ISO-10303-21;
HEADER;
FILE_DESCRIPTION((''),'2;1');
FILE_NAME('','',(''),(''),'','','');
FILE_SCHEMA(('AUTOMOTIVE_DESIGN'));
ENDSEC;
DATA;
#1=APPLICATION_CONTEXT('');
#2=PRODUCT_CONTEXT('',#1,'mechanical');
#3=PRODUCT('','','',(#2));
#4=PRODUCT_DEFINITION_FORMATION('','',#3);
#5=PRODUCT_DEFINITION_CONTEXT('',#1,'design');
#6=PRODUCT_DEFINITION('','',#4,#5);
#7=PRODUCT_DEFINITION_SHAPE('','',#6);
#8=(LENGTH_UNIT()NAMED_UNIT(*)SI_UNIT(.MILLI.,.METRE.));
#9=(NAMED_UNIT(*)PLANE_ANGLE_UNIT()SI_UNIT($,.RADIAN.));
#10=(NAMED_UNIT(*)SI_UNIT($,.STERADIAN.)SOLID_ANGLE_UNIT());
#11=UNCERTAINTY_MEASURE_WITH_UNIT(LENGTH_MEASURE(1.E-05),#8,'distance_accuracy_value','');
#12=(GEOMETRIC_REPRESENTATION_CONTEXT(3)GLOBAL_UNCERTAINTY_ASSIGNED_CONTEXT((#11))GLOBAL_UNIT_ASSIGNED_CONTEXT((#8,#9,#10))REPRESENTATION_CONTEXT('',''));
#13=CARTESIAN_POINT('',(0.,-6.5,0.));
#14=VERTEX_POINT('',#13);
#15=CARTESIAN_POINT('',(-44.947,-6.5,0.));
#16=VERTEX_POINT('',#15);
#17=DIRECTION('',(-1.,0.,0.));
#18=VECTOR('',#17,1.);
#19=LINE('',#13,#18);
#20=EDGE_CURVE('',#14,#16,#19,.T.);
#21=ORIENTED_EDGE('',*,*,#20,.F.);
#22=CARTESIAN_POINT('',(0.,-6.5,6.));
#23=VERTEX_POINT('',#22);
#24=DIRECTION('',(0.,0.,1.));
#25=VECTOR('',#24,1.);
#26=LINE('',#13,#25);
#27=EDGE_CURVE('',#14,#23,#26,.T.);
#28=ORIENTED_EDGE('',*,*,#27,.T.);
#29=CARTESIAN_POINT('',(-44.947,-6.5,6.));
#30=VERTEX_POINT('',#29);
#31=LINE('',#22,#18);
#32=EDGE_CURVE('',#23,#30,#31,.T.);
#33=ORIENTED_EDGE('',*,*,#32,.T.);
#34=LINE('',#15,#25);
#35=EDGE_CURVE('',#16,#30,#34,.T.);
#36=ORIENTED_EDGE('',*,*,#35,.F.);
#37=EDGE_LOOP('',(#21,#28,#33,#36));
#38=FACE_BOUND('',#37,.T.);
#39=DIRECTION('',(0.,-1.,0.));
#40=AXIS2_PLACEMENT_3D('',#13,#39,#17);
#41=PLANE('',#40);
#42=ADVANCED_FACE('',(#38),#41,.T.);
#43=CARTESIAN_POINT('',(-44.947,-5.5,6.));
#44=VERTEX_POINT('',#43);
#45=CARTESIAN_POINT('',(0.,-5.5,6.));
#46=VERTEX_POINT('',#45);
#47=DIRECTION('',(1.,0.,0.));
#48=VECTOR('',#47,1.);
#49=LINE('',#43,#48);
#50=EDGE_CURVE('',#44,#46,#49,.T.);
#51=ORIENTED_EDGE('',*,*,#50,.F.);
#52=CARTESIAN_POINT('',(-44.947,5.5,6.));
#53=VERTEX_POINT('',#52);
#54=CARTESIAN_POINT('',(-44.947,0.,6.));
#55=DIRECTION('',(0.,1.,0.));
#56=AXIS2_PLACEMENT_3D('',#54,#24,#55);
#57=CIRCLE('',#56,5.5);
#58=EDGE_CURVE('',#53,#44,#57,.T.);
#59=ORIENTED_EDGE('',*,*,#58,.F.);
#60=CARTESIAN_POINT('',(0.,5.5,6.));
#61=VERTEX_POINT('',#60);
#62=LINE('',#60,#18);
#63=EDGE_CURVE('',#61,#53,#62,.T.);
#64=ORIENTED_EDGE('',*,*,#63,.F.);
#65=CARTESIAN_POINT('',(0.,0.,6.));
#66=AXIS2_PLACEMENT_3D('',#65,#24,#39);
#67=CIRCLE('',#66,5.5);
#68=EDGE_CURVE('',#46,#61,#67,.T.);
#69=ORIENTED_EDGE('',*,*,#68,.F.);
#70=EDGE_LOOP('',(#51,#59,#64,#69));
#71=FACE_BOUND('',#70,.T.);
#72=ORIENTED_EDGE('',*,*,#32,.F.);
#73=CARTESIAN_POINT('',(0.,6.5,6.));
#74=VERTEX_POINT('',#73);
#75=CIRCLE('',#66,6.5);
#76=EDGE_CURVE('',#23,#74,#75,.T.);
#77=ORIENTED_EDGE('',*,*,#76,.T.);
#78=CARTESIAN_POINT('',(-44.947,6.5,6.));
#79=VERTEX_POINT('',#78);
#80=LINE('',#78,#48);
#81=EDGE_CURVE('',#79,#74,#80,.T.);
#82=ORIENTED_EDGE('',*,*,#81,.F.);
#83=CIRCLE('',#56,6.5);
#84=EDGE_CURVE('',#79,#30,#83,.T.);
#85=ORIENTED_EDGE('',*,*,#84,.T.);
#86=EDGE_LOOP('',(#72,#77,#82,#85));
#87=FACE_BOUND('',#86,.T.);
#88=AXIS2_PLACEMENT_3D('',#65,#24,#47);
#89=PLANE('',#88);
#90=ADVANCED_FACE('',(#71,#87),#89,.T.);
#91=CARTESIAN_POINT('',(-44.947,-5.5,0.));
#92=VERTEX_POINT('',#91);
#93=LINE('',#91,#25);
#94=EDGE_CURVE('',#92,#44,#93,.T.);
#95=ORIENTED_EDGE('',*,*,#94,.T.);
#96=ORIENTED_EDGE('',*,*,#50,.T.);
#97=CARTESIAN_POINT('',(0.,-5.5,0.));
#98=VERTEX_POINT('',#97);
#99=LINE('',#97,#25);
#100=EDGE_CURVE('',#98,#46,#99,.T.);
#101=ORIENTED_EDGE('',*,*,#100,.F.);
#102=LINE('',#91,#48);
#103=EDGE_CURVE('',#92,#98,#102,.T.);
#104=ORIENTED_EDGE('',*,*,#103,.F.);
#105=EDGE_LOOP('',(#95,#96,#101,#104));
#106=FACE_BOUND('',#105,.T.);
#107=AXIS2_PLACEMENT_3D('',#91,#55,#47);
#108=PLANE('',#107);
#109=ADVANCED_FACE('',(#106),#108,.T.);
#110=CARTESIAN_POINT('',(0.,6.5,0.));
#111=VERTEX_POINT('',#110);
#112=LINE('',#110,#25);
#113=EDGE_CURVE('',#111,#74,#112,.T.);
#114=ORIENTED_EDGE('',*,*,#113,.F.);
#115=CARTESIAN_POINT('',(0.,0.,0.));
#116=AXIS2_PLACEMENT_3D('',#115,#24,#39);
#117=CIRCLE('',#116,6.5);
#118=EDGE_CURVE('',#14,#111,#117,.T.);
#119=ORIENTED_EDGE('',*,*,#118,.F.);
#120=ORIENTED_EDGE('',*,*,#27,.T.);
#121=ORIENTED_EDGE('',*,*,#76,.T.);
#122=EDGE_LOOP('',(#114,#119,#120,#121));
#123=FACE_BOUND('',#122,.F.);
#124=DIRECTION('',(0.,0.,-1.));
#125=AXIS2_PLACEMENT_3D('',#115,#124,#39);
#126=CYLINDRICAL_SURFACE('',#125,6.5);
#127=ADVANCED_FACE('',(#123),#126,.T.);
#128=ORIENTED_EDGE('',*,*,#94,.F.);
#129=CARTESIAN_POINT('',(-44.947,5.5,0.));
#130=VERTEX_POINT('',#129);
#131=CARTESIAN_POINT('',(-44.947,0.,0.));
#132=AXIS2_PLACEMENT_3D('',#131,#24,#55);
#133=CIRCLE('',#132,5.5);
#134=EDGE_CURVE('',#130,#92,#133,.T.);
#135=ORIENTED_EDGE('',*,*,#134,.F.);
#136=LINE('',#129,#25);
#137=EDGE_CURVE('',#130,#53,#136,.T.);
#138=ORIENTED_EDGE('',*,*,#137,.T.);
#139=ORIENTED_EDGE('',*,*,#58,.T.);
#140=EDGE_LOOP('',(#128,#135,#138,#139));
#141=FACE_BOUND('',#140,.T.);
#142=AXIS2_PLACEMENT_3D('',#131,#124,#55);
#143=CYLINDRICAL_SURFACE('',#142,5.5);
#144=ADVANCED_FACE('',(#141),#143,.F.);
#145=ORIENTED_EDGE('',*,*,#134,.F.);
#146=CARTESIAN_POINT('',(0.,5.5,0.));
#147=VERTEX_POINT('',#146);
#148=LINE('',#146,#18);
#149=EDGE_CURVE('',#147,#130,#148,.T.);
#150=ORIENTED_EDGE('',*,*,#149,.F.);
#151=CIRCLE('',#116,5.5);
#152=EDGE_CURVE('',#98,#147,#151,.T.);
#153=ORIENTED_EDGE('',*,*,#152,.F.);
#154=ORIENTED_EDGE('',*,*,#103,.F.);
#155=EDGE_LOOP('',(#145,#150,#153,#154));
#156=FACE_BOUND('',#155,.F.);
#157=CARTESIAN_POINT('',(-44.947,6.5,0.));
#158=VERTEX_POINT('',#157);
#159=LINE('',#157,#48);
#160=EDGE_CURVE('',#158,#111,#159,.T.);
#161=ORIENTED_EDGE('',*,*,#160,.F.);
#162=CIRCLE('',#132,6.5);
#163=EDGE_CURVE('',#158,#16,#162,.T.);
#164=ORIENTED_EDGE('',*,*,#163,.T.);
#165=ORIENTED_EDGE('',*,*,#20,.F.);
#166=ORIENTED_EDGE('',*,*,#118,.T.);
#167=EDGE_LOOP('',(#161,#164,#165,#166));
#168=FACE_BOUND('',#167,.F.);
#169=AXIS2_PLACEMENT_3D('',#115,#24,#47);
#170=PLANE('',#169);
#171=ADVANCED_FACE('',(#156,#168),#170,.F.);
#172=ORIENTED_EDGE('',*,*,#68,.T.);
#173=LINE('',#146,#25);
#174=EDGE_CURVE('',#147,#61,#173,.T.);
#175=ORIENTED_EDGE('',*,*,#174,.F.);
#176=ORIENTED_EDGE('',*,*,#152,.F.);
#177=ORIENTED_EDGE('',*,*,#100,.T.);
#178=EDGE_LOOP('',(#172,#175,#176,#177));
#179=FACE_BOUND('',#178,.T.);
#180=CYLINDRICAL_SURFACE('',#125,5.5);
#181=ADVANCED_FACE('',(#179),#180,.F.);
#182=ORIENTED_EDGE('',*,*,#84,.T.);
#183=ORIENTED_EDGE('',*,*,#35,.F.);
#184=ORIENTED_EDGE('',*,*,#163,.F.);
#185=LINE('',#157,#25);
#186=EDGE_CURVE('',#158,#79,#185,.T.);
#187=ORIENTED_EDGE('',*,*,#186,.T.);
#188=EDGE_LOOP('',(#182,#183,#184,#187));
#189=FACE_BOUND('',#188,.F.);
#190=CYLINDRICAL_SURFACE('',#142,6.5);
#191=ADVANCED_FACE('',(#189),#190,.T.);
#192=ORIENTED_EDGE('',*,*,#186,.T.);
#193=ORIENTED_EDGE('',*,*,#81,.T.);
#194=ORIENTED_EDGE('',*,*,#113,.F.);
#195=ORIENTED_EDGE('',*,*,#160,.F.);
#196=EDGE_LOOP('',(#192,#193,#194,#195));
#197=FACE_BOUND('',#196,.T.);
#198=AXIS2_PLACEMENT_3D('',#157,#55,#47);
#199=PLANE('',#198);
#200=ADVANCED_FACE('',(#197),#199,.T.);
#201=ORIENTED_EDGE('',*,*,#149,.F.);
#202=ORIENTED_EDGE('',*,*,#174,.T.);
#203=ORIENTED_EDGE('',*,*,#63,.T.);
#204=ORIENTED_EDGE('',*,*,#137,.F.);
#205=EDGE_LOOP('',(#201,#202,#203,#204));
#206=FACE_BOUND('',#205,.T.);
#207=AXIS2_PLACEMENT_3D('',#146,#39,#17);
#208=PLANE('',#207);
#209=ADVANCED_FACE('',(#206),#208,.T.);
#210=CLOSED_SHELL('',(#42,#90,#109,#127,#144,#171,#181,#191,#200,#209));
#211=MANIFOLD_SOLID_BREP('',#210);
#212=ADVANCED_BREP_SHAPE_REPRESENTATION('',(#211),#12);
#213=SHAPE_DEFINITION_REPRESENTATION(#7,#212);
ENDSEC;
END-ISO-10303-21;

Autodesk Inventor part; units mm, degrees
ref_plane "YZ Plane" through (0, 0, 0) normal (1, 0, 0) x (0, 1, 0)
ref_plane "XZ Plane" through (0, 0, 0) normal (0, 1, 0) x (-1, 0, 0)
ref_plane "XY Plane" through (0, 0, 0) normal (0, 0, 1) x (1, 0, 0)
sketch "Skizze1" plane through (0, 0, 0) normal (0, 0, 1) x (1, 0, 0)
  line L0 (0, 0) -> (-44.947, 0) construction
  line L1 (0, 5.5) -> (-44.947, 5.5)
  line L2 (-44.947, -5.5) -> (0, -5.5)
  arc A0 (0, -5.5) -> (0, 5.5) centre (0, 0) ccw
  arc A1 (-44.947, 5.5) -> (-44.947, -5.5) centre (-44.947, 0) ccw
  line L3 (0, 0) -> (-44.947, 0) construction
  line L4 (0, -6.5) -> (-44.947, -6.5)
  line L5 (-44.947, 6.5) -> (0, 6.5)
  arc A2 (0, -6.5) -> (0, 6.5) centre (0, 0) ccw
  arc A3 (-44.947, 6.5) -> (-44.947, -6.5) centre (-44.947, 0) ccw
  point P0 (-22.4735, 0)
  point P1 (-22.4735, 0)
  dimension "d2" = 13
  dimension "d3" = 11
  dimension "d4" = 44.947
extrude "Extrusion1" add sketch "Skizze1" along normal blind 6
properties part number "Timing belt"
